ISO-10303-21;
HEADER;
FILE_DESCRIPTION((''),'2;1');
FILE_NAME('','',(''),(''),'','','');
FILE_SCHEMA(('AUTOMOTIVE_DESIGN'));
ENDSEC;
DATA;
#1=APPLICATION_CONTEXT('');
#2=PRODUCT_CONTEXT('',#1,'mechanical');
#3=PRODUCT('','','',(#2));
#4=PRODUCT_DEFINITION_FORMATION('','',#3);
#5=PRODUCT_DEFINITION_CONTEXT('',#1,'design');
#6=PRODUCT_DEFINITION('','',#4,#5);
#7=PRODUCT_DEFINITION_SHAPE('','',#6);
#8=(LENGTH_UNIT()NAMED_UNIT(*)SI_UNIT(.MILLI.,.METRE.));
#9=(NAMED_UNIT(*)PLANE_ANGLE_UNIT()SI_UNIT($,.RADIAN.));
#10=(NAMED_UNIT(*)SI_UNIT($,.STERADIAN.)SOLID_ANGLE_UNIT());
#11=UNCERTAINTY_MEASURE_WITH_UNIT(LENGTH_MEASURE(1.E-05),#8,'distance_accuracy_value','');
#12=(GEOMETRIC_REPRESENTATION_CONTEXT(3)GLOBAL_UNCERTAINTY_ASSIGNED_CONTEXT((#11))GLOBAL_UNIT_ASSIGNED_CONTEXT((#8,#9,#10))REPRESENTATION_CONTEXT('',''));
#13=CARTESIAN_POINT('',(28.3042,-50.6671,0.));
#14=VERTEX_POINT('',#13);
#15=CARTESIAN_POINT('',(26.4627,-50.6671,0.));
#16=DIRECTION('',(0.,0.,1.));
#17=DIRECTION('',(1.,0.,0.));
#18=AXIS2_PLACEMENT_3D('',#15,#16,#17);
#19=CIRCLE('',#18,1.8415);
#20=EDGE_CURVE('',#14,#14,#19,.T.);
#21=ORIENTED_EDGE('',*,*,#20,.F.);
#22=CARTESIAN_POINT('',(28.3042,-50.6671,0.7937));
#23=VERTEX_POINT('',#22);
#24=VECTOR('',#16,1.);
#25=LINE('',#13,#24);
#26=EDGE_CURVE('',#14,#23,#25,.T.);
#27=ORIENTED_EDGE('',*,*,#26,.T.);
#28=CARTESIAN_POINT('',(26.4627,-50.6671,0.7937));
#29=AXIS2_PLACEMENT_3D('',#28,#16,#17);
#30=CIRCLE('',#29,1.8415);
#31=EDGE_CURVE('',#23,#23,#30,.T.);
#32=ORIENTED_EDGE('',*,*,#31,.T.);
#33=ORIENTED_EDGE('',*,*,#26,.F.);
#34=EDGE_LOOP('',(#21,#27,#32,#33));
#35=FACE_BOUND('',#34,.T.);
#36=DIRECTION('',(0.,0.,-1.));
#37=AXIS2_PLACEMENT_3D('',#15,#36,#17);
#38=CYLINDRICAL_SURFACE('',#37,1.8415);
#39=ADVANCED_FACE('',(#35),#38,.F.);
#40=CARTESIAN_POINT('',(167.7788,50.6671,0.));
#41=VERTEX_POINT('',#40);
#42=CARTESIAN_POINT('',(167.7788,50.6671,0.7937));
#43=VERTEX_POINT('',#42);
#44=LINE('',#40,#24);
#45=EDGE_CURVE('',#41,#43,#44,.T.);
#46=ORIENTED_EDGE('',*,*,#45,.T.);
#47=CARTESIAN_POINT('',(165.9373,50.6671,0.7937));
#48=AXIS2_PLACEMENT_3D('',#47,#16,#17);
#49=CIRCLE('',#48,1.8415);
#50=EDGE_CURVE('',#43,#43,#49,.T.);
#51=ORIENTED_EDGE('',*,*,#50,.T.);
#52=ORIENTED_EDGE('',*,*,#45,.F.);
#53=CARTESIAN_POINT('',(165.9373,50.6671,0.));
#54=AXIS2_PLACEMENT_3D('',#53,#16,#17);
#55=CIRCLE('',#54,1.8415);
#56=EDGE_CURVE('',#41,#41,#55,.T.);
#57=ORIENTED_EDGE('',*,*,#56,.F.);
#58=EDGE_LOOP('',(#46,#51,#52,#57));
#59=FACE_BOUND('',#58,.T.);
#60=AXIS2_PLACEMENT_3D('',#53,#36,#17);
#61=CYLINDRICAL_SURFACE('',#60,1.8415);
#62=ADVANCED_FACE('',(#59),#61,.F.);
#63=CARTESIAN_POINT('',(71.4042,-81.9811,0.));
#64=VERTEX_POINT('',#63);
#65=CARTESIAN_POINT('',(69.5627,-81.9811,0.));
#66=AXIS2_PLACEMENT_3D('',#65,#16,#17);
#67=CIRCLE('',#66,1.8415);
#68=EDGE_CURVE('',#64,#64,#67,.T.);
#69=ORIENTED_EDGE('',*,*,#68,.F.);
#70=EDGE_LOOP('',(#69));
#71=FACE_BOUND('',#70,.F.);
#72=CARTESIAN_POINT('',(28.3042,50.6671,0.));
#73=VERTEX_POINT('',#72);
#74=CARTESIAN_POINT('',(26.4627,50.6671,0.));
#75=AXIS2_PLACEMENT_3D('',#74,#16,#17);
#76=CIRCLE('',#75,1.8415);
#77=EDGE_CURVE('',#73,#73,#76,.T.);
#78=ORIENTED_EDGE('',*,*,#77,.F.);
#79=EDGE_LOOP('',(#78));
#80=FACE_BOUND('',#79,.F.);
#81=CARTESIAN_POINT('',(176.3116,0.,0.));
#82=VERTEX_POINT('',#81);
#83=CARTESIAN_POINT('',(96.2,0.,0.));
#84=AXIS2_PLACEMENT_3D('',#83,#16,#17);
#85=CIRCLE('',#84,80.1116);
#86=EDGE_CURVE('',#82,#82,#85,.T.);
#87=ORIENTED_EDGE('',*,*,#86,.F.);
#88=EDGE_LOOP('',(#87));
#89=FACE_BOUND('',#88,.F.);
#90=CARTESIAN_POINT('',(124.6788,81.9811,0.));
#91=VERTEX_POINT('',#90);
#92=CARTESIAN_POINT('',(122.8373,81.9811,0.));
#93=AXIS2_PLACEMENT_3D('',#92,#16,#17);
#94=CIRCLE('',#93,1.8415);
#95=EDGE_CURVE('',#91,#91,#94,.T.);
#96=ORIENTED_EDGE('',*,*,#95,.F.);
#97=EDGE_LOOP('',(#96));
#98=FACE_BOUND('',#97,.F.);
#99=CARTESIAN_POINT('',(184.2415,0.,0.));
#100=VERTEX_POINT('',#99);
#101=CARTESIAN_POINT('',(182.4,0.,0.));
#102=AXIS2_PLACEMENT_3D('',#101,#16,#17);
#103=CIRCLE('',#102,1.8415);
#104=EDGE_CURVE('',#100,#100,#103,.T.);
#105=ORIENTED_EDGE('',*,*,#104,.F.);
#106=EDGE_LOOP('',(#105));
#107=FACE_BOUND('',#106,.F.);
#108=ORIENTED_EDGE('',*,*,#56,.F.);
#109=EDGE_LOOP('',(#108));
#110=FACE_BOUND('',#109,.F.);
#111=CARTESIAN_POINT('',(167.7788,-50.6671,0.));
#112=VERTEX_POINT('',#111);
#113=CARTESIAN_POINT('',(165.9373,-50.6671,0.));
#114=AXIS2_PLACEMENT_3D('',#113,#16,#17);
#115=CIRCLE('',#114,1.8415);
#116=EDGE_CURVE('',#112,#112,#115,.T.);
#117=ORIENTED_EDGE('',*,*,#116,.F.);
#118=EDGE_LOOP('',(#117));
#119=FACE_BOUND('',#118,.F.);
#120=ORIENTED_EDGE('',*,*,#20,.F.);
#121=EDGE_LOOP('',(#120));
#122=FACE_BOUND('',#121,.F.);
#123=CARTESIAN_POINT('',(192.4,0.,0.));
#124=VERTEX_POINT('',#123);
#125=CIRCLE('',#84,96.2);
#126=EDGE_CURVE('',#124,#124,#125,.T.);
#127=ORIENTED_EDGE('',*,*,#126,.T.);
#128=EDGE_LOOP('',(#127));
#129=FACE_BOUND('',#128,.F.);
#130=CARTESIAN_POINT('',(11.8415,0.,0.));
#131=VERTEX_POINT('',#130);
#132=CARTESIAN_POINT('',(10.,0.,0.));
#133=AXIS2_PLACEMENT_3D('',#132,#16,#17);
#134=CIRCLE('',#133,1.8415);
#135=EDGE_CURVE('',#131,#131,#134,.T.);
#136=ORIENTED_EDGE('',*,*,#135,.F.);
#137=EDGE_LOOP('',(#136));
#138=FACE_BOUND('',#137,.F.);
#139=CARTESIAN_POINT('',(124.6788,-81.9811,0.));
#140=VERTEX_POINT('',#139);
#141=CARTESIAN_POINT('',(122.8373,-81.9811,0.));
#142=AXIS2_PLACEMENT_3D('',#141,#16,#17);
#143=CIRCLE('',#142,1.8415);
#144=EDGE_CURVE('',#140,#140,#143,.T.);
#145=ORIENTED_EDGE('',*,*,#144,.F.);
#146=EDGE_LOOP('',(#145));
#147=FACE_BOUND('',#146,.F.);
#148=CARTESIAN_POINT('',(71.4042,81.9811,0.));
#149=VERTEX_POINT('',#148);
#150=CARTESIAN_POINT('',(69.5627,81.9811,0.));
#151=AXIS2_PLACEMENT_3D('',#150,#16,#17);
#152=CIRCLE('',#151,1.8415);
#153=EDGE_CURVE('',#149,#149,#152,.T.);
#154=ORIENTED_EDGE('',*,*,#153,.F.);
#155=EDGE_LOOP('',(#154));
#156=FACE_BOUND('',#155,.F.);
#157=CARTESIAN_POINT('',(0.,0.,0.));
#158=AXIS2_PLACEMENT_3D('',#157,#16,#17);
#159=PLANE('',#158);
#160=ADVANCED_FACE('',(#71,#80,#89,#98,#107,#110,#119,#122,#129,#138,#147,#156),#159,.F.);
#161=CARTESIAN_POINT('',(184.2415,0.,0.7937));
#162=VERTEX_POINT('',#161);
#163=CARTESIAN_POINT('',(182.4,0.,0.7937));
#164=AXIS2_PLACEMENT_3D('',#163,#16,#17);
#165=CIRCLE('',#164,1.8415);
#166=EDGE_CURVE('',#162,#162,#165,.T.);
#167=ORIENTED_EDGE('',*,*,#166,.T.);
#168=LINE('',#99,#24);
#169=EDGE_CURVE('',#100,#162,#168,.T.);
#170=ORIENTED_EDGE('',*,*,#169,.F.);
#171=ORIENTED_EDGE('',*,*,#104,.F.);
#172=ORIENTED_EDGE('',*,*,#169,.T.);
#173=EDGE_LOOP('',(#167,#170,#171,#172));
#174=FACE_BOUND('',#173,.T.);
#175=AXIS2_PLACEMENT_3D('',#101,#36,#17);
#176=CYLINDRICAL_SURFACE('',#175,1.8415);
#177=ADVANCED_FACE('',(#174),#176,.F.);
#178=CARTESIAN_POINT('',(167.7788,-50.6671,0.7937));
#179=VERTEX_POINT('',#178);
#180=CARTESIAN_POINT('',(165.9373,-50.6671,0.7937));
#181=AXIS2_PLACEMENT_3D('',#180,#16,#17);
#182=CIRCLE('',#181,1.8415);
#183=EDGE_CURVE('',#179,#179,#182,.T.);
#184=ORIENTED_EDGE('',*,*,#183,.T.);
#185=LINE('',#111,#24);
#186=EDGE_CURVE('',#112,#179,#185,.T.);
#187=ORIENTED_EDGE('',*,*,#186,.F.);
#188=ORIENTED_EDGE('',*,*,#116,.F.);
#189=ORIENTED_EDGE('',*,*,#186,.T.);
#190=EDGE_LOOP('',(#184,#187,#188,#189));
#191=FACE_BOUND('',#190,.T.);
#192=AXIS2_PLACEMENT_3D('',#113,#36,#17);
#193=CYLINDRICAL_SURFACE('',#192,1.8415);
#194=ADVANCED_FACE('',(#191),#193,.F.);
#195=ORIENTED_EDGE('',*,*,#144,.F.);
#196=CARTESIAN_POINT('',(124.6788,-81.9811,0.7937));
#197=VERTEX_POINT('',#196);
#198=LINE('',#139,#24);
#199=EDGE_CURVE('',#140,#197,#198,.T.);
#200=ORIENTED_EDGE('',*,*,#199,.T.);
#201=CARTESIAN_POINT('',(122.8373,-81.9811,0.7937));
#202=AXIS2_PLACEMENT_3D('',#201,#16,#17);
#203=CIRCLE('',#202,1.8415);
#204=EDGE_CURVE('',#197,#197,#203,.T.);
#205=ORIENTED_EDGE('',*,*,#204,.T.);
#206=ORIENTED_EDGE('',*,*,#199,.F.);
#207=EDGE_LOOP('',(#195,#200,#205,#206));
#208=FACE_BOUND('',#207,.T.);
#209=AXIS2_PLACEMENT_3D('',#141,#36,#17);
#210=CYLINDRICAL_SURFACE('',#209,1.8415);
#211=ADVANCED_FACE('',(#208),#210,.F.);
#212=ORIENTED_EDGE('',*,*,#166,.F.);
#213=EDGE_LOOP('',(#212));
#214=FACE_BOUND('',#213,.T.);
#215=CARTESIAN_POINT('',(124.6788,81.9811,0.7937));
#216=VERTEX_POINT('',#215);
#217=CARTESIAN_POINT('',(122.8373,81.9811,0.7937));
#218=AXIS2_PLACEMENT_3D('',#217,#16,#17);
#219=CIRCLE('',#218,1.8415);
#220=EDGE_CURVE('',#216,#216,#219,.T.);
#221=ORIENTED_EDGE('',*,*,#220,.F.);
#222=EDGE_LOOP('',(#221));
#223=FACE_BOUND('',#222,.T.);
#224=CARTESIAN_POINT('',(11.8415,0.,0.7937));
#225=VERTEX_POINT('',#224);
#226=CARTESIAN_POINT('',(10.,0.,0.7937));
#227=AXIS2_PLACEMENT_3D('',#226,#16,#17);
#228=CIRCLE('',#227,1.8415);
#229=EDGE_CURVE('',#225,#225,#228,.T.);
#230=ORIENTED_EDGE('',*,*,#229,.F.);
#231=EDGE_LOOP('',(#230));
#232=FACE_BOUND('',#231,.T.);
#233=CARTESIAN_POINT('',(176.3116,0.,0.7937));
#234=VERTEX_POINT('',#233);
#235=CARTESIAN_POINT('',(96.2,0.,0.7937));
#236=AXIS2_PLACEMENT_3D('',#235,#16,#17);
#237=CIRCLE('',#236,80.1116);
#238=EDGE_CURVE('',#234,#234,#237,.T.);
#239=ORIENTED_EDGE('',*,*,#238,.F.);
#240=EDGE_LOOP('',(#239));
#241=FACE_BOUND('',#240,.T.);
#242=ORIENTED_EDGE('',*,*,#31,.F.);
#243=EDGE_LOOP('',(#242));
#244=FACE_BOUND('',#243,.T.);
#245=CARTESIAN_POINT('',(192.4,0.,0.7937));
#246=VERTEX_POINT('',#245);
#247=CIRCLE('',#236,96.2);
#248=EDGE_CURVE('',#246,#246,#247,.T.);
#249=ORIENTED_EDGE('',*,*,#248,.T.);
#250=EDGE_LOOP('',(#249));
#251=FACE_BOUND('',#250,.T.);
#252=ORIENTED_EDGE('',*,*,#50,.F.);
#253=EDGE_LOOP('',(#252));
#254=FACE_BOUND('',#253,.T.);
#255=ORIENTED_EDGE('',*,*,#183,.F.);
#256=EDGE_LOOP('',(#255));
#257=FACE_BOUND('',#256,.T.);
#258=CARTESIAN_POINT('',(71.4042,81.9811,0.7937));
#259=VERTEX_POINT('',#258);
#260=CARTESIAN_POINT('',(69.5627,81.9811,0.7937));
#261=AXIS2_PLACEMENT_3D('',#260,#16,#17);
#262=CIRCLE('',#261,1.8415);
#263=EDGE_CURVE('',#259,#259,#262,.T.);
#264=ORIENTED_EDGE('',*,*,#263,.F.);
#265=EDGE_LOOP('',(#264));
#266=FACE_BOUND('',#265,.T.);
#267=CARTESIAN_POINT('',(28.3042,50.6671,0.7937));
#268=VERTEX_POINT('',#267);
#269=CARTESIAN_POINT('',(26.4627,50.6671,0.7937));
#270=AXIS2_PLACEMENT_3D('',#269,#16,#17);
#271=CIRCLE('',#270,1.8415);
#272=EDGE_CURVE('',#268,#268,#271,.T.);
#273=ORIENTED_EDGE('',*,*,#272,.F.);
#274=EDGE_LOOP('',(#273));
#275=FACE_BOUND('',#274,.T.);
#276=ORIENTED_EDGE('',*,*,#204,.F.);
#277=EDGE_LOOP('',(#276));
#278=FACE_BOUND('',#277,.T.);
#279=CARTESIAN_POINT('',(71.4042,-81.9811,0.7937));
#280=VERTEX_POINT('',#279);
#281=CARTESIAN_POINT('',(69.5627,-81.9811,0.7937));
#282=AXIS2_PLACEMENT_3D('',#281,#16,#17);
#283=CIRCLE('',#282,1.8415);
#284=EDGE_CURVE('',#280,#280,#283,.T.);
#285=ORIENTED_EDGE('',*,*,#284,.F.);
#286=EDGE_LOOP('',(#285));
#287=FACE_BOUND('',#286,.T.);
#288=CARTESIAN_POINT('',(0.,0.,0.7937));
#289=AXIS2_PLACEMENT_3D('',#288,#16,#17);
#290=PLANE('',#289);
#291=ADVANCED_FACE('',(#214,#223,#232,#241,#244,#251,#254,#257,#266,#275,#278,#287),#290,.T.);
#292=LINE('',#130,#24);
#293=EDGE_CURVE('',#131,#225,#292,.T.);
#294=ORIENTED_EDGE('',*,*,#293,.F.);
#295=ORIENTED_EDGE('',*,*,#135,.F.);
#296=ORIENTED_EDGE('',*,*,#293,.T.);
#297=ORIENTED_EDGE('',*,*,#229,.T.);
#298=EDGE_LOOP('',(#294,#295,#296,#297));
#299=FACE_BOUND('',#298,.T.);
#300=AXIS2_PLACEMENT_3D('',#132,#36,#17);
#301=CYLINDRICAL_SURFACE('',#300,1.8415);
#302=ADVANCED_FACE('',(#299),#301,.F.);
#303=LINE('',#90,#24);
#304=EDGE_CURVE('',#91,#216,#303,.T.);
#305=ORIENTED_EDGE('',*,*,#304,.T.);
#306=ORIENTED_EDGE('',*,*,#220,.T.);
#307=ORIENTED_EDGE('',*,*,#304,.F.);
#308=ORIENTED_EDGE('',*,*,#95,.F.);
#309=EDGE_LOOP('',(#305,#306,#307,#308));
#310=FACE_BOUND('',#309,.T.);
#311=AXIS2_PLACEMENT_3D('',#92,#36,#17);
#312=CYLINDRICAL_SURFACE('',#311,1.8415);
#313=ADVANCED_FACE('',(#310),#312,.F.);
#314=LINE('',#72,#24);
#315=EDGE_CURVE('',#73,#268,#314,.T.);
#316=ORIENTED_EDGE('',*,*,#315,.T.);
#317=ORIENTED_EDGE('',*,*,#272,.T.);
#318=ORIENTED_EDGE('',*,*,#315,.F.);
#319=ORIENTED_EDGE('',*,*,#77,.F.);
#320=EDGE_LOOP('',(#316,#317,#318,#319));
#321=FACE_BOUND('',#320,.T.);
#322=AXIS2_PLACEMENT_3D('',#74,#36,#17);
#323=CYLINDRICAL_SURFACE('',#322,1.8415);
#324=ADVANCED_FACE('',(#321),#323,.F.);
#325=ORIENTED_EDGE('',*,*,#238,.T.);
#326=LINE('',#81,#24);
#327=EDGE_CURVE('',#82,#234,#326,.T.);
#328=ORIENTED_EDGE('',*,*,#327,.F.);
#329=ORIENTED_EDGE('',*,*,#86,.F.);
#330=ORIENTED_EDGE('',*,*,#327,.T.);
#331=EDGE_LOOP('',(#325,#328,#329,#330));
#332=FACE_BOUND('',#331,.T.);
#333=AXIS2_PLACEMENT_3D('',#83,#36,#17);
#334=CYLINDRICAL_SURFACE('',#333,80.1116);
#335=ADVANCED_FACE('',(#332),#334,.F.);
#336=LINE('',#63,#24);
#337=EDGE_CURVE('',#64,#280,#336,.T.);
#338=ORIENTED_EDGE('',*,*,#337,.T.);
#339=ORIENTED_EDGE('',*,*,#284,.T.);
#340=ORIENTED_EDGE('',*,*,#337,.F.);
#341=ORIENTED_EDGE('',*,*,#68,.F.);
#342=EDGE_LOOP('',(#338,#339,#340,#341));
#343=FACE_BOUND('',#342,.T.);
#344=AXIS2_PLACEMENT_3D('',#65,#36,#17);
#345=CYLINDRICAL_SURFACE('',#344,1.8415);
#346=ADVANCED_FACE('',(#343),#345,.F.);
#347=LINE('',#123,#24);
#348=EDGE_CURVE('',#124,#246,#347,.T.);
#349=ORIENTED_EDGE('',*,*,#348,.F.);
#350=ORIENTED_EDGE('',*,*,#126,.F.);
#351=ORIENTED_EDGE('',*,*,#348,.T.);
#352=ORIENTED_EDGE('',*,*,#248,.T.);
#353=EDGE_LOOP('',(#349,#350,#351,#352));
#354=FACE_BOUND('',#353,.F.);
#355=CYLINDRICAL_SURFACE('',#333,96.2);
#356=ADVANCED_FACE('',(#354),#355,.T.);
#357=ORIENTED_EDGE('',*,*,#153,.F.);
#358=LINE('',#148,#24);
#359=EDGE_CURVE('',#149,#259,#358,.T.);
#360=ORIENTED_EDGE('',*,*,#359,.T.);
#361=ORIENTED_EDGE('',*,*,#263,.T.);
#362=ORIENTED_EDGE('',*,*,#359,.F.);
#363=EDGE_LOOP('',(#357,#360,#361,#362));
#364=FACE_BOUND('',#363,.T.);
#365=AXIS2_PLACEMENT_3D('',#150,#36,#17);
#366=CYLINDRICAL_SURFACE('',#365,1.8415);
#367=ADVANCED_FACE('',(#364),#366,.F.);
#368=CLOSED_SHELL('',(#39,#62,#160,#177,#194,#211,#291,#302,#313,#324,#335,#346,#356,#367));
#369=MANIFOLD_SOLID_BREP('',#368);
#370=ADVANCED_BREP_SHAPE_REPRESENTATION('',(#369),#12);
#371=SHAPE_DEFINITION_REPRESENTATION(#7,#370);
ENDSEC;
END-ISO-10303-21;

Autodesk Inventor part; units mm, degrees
ref_plane "YZ Plane" through (0, 0, 0) normal (1, 0, 0) x (0, 1, 0)
ref_plane "XZ Plane" through (0, 0, 0) normal (0, 1, 0) x (-1, 0, 0)
ref_plane "Work Plane1" through (0, 0, 0) normal (0, 0, 1) x (1, 0, 0)
sketch "Sketch1" plane through (0, 0, 0) normal (0, 0, 1) x (1, 0, 0)
  circle A0 centre (26.4627, -50.6671) radius 1.8415 projected
  circle A1 centre (69.5627, -81.9811) radius 1.8415 projected
  circle A2 centre (122.8373, -81.9811) radius 1.8415 projected
  circle A3 centre (165.9373, -50.6671) radius 1.8415 projected
  circle A4 centre (182.4, 0) radius 1.8415 projected
  circle A5 centre (165.9373, 50.6671) radius 1.8415 projected
  circle A6 centre (122.8373, 81.9811) radius 1.8415 projected
  circle A7 centre (69.5627, 81.9811) radius 1.8415 projected
  circle A8 centre (26.4627, 50.6671) radius 1.8415 projected
  circle A9 centre (10, 0) radius 1.8415 projected
  circle A10 centre (96.2, 0) radius 80.1116 projected
  circle A11 centre (96.2, 0) radius 96.2 projected
  point P0 (0, 0)
extrude "Extrusion1" add sketch "Sketch1" along normal blind 0.7937
properties part number "1139_Outer Gasket_V1" material "Rubber"
